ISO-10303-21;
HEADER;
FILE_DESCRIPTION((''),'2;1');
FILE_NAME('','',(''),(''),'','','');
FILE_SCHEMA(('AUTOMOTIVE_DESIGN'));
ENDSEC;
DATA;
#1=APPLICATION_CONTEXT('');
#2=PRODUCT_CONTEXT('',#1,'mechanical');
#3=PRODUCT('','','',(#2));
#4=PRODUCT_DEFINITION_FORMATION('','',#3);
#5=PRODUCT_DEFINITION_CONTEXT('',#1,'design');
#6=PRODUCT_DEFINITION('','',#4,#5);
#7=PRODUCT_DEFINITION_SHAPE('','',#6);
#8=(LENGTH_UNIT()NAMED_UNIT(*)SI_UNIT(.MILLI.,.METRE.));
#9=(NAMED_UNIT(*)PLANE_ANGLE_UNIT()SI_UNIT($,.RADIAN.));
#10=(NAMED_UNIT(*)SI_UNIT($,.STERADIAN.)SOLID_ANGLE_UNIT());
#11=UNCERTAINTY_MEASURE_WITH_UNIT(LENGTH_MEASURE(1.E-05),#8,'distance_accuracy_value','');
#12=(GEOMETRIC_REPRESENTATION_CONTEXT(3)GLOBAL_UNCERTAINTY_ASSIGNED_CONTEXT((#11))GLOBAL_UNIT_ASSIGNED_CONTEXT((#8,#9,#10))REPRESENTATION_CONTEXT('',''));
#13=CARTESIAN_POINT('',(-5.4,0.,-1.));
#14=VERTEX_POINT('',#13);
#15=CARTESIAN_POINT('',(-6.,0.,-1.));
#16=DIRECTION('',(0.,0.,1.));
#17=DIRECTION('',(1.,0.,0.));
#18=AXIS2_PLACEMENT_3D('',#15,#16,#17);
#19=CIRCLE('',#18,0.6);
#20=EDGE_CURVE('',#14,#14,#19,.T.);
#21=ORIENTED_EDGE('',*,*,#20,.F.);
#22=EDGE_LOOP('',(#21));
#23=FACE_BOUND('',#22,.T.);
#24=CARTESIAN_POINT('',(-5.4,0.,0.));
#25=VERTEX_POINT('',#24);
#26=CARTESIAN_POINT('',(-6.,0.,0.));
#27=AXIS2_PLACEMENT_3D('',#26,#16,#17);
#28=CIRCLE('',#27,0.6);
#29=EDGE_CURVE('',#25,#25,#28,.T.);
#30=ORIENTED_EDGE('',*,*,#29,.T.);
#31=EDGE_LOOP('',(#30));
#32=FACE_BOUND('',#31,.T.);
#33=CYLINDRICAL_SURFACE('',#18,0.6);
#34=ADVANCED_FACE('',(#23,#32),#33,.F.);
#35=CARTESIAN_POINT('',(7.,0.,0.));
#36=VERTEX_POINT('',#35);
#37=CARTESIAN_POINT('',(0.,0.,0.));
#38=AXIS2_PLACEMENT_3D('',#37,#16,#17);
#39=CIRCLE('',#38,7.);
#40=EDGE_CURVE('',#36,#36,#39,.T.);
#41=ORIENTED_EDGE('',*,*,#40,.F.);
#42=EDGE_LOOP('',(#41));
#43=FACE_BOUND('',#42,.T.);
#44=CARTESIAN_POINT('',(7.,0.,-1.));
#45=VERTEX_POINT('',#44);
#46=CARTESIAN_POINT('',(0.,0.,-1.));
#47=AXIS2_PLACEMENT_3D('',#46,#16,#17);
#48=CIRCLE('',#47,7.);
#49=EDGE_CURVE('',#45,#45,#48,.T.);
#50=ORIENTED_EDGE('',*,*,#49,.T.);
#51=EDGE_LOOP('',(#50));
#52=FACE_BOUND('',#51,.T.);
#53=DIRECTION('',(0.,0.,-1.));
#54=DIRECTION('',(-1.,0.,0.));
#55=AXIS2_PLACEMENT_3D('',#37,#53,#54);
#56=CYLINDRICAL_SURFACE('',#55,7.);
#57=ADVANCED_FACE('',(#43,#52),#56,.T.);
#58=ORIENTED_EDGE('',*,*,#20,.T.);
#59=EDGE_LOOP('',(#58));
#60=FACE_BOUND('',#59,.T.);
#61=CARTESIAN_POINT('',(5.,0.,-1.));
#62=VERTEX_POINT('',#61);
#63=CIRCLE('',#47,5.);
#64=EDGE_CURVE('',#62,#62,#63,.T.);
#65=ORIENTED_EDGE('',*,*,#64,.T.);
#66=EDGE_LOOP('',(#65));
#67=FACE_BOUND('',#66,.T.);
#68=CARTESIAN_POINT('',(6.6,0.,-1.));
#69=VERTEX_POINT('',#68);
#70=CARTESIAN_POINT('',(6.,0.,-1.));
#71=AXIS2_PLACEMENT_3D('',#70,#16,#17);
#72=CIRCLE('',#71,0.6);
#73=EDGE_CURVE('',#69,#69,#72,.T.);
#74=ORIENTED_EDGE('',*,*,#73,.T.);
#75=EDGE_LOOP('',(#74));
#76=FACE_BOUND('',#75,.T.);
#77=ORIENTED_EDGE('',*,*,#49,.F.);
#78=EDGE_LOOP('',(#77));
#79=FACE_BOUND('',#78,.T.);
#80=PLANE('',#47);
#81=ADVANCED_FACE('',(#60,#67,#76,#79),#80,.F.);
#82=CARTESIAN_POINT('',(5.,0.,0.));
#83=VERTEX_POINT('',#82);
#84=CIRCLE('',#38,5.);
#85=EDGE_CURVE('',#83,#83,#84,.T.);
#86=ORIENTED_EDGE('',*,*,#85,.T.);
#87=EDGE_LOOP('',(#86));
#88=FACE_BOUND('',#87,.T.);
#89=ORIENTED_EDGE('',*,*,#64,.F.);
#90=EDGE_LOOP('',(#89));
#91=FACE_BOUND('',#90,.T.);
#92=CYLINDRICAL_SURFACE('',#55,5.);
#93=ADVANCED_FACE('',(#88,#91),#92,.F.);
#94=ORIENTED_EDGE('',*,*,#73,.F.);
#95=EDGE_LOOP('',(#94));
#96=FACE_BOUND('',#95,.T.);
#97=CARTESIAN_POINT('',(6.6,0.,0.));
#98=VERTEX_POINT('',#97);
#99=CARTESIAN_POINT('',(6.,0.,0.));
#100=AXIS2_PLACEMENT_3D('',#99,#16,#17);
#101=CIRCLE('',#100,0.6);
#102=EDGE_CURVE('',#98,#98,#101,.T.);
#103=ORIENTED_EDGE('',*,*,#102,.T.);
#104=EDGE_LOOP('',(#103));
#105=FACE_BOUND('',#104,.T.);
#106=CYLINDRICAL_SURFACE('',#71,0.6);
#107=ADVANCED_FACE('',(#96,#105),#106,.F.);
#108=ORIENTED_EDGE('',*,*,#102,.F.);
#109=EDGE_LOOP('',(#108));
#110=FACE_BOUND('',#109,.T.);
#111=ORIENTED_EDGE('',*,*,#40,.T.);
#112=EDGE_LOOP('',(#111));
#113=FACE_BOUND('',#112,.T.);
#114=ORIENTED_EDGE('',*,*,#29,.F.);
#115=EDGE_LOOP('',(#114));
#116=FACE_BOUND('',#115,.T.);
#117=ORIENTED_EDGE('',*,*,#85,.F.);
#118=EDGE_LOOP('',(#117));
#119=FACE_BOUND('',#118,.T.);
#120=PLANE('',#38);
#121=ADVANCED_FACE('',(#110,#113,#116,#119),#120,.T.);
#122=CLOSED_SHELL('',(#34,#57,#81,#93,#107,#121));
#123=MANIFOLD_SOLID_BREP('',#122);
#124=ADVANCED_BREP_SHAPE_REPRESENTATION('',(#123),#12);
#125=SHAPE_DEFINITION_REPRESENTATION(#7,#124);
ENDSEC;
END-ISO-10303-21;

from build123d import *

# Parameters (mm, degrees)
M10X0P5_THIN_RETAINING_NUT_START = -1
SKETCH1_R                        = 7
SKETCH1_R_2                      = 5
M10X0P5_THIN_RETAINING_NUT_DEPTH = 1
SKETCH2_R                        = 0.6
TWO_PIN_WRENCH_HOLES_D1P2_DEPTH  = 10.949874371


with BuildPart() as part:
    # Sketch1 → M10x0p5_Thin_Retaining_Nut (new body)
    with BuildSketch(Plane.XY.offset(M10X0P5_THIN_RETAINING_NUT_START)):
        Circle(SKETCH1_R)
        Circle(SKETCH1_R_2, mode=Mode.SUBTRACT)
    extrude(amount=M10X0P5_THIN_RETAINING_NUT_DEPTH)

    # Sketch2 → Two_Pin_Wrench_Holes_D1p2 (cut, through all)
    with BuildSketch(Plane.XY):
        with Locations((-6, 0)):
            Circle(SKETCH2_R)
        with Locations((6, 0)):
            Circle(SKETCH2_R)
    extrude(amount=-TWO_PIN_WRENCH_HOLES_D1P2_DEPTH, mode=Mode.SUBTRACT)


solid = part.part
